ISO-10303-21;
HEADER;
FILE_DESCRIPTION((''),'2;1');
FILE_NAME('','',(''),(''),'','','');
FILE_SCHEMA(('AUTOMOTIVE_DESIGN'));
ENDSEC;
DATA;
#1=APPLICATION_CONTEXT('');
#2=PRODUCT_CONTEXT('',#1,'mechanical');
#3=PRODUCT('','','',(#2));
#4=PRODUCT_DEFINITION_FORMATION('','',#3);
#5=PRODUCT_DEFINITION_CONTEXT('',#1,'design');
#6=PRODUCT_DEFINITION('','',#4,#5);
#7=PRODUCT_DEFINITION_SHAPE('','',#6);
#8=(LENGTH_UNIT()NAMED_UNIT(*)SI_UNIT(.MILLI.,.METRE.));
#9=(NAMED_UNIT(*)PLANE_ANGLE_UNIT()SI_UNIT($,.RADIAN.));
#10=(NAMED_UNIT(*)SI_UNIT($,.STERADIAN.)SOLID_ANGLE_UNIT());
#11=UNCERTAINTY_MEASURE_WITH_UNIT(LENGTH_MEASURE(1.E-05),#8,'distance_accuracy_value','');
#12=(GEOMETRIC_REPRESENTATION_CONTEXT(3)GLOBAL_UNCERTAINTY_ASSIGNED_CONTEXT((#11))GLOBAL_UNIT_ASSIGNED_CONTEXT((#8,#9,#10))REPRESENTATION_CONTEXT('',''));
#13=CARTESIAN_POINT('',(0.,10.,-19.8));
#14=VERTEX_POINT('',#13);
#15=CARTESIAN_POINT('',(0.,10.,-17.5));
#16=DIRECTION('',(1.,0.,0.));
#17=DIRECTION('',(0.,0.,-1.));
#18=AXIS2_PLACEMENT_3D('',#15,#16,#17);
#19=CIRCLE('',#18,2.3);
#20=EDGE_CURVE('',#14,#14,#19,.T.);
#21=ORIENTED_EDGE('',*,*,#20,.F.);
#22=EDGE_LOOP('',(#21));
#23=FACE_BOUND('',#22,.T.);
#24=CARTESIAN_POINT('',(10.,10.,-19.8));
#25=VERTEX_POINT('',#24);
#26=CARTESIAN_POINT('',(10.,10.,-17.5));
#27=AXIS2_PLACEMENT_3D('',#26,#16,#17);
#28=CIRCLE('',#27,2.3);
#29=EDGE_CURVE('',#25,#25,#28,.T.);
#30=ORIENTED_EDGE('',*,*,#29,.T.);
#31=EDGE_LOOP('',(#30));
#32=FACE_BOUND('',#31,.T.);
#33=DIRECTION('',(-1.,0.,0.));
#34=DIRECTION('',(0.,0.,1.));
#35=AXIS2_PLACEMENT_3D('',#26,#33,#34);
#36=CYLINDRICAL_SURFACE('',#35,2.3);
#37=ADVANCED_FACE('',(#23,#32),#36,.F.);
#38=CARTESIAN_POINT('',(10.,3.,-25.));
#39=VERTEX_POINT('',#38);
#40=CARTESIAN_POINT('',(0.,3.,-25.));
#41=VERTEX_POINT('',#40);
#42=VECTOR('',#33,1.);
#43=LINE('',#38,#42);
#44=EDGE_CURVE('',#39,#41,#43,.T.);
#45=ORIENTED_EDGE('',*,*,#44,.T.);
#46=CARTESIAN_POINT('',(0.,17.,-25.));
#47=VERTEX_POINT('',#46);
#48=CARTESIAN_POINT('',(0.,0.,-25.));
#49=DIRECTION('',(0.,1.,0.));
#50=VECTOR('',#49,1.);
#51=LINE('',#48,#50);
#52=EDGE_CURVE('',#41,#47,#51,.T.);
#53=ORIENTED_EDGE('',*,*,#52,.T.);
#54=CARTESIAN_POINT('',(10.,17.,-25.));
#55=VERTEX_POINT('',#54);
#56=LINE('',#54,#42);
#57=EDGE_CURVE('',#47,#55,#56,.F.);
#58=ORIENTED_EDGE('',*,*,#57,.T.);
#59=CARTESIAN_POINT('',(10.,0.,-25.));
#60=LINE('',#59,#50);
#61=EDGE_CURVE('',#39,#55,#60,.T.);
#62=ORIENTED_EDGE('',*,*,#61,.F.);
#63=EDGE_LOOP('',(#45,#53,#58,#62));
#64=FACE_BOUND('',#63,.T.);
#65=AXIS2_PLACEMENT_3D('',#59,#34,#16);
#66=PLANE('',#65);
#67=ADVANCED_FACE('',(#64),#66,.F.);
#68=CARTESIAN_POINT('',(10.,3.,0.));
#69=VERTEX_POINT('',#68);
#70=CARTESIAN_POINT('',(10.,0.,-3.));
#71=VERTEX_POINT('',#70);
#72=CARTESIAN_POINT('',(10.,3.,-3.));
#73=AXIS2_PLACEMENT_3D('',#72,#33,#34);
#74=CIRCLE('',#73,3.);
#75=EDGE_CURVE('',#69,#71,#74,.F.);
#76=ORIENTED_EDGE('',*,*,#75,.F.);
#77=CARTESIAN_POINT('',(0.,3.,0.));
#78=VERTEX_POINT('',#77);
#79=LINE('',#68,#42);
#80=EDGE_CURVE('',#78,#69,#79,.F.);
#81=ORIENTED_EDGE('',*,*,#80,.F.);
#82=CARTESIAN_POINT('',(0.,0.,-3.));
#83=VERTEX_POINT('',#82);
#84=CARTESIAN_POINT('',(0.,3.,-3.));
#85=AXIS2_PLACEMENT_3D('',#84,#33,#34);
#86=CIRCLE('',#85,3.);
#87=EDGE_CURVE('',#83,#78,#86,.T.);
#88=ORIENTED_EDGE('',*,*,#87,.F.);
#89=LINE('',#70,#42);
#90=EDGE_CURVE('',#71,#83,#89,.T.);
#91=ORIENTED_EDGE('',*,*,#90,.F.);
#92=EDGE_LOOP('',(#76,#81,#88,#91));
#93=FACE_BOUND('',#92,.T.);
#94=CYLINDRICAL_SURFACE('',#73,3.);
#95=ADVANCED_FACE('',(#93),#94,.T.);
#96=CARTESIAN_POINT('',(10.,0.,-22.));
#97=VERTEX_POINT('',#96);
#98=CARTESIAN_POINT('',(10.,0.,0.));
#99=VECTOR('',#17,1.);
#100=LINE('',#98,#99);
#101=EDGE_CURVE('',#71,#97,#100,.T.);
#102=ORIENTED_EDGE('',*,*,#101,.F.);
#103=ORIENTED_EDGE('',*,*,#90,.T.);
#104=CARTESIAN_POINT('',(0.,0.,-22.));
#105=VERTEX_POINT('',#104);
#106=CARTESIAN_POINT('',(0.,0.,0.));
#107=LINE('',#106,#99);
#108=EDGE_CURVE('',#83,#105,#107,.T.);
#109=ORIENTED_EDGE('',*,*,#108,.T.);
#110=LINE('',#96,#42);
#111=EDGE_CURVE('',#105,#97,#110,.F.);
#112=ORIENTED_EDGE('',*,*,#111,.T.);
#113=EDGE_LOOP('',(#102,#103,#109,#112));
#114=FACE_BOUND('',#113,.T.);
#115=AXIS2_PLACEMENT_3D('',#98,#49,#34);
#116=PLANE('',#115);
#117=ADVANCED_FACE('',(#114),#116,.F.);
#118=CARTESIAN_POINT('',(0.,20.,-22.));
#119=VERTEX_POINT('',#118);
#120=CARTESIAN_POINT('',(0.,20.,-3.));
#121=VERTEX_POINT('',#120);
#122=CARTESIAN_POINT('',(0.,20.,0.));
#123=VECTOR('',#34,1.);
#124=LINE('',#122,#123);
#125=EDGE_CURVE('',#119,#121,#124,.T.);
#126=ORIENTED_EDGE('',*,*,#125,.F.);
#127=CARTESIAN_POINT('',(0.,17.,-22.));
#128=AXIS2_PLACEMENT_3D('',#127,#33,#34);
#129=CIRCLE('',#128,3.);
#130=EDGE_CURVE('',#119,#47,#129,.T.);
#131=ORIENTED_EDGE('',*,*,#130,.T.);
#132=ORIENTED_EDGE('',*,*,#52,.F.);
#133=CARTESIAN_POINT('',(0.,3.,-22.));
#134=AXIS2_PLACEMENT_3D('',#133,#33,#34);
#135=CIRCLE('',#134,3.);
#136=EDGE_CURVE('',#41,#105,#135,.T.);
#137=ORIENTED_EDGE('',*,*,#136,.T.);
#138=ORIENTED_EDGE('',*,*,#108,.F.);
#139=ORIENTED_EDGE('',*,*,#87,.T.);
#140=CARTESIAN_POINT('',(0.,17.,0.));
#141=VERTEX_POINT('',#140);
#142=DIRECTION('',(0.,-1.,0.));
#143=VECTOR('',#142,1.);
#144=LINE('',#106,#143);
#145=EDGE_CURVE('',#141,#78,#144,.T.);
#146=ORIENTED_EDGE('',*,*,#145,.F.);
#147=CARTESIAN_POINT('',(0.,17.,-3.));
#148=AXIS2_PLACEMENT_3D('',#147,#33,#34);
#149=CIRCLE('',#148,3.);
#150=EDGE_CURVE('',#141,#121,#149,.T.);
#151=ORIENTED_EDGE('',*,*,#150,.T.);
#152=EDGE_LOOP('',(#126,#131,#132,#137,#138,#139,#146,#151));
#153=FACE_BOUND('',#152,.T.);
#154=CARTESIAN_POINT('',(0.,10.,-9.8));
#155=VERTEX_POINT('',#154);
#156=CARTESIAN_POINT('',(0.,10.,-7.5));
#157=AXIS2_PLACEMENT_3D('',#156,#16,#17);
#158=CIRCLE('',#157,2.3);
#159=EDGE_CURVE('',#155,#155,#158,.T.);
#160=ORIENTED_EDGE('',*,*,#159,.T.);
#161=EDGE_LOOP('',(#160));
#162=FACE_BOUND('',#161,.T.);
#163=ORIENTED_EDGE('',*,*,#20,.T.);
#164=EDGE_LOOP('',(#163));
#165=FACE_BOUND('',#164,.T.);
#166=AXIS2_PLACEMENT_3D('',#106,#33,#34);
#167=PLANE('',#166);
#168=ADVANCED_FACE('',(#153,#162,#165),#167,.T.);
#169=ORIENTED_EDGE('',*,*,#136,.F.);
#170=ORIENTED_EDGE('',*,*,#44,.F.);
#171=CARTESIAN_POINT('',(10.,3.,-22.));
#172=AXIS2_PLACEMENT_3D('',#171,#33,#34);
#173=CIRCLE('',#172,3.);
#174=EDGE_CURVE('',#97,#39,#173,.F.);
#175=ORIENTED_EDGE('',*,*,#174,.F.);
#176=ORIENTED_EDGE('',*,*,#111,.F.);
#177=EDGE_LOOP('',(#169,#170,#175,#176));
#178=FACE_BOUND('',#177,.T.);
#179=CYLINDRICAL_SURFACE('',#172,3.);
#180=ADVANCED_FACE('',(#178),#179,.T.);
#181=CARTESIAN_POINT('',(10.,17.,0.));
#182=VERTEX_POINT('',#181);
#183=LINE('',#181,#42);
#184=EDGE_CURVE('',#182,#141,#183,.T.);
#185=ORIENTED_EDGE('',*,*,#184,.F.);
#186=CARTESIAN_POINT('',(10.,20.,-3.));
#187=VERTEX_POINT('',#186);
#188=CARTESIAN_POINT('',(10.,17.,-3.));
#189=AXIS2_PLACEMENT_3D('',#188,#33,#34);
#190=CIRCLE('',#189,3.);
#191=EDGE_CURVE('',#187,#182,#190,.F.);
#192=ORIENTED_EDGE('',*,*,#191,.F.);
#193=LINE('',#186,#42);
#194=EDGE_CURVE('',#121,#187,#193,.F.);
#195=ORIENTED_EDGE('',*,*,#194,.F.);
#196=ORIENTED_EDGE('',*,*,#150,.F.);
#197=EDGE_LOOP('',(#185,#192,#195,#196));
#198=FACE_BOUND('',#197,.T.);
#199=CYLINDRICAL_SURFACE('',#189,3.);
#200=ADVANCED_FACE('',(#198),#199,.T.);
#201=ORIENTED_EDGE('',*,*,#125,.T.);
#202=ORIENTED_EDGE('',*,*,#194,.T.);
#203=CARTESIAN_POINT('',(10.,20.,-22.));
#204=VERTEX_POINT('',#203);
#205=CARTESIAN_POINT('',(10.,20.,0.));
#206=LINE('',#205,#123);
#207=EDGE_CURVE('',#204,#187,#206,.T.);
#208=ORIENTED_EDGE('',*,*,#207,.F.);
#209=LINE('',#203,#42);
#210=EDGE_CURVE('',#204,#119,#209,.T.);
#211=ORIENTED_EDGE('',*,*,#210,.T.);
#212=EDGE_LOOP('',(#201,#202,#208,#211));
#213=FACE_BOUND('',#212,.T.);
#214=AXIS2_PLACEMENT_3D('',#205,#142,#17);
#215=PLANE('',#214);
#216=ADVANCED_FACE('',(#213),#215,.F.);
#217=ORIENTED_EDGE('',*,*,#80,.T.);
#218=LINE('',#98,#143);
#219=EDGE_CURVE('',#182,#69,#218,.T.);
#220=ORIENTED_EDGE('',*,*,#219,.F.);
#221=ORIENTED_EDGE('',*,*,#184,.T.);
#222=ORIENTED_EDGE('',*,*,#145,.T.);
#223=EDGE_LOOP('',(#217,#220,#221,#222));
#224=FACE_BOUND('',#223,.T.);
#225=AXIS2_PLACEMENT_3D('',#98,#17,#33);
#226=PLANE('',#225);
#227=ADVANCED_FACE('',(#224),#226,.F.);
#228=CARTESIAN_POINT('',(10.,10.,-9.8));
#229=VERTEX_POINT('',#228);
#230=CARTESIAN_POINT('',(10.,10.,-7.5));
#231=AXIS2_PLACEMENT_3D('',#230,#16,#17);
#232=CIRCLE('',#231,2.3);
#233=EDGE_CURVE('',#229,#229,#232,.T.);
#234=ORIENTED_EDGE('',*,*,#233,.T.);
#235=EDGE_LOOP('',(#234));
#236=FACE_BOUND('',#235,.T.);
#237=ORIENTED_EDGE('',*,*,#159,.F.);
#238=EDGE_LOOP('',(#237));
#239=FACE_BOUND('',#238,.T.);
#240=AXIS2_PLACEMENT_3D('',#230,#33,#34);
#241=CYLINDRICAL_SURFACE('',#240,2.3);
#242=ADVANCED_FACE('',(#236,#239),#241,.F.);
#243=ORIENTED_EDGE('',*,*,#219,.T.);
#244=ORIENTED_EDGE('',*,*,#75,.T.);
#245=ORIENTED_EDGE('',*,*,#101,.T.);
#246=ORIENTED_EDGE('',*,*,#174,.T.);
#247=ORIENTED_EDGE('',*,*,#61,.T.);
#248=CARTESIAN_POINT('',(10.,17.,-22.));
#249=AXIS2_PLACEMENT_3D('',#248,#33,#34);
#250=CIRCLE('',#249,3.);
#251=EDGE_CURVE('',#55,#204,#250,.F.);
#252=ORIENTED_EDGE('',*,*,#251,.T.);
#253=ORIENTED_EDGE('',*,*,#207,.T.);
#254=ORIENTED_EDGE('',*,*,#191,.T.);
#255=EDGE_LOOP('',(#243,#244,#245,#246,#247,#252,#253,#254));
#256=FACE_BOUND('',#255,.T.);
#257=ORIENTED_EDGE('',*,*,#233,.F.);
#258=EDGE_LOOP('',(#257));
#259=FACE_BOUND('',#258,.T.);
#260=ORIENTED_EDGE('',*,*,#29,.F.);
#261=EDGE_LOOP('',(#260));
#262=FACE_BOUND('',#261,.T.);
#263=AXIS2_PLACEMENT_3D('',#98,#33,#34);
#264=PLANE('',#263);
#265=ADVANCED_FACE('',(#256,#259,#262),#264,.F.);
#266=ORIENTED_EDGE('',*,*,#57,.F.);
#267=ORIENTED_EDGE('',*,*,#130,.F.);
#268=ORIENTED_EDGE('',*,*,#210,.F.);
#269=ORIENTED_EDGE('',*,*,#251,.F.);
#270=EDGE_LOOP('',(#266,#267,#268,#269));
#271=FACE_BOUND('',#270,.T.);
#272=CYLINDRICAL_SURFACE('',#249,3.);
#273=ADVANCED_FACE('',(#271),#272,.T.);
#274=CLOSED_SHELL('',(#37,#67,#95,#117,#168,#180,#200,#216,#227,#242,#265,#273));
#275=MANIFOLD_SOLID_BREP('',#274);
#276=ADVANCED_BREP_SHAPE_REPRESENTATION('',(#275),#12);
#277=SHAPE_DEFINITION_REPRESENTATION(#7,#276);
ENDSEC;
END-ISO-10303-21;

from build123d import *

# Parameters (mm, degrees)
SKETCH_1_W      = 25
SKETCH_1_H      = 20
SKETCH_1_R      = 2.3
EXTRUDE_1_DEPTH = 10
FILLET_1_R      = 3


with BuildPart() as part:
    # 草图1 → 凸台-拉伸1 (new body)
    with BuildSketch(Plane(origin=(0, 0, 0), x_dir=(0, 0, -1), z_dir=(1, 0, 0))):
        with Locations((12.5, 10)):
            Rectangle(SKETCH_1_W, SKETCH_1_H)
        with Locations((7.5, 10)):
            Circle(SKETCH_1_R, mode=Mode.SUBTRACT)
        with Locations((17.5, 10)):
            Circle(SKETCH_1_R, mode=Mode.SUBTRACT)
    extrude(amount=EXTRUDE_1_DEPTH)

    # 圆角1
    fillet_1_edges = [part.edges().sort_by_distance(p)[0] for p in [
        (5, 20, 0),
        (5, 20, -25),
        (5, 0, -25),
        (5, 0, 0),
    ]]
    fillet(fillet_1_edges, radius=FILLET_1_R)


solid = part.part
